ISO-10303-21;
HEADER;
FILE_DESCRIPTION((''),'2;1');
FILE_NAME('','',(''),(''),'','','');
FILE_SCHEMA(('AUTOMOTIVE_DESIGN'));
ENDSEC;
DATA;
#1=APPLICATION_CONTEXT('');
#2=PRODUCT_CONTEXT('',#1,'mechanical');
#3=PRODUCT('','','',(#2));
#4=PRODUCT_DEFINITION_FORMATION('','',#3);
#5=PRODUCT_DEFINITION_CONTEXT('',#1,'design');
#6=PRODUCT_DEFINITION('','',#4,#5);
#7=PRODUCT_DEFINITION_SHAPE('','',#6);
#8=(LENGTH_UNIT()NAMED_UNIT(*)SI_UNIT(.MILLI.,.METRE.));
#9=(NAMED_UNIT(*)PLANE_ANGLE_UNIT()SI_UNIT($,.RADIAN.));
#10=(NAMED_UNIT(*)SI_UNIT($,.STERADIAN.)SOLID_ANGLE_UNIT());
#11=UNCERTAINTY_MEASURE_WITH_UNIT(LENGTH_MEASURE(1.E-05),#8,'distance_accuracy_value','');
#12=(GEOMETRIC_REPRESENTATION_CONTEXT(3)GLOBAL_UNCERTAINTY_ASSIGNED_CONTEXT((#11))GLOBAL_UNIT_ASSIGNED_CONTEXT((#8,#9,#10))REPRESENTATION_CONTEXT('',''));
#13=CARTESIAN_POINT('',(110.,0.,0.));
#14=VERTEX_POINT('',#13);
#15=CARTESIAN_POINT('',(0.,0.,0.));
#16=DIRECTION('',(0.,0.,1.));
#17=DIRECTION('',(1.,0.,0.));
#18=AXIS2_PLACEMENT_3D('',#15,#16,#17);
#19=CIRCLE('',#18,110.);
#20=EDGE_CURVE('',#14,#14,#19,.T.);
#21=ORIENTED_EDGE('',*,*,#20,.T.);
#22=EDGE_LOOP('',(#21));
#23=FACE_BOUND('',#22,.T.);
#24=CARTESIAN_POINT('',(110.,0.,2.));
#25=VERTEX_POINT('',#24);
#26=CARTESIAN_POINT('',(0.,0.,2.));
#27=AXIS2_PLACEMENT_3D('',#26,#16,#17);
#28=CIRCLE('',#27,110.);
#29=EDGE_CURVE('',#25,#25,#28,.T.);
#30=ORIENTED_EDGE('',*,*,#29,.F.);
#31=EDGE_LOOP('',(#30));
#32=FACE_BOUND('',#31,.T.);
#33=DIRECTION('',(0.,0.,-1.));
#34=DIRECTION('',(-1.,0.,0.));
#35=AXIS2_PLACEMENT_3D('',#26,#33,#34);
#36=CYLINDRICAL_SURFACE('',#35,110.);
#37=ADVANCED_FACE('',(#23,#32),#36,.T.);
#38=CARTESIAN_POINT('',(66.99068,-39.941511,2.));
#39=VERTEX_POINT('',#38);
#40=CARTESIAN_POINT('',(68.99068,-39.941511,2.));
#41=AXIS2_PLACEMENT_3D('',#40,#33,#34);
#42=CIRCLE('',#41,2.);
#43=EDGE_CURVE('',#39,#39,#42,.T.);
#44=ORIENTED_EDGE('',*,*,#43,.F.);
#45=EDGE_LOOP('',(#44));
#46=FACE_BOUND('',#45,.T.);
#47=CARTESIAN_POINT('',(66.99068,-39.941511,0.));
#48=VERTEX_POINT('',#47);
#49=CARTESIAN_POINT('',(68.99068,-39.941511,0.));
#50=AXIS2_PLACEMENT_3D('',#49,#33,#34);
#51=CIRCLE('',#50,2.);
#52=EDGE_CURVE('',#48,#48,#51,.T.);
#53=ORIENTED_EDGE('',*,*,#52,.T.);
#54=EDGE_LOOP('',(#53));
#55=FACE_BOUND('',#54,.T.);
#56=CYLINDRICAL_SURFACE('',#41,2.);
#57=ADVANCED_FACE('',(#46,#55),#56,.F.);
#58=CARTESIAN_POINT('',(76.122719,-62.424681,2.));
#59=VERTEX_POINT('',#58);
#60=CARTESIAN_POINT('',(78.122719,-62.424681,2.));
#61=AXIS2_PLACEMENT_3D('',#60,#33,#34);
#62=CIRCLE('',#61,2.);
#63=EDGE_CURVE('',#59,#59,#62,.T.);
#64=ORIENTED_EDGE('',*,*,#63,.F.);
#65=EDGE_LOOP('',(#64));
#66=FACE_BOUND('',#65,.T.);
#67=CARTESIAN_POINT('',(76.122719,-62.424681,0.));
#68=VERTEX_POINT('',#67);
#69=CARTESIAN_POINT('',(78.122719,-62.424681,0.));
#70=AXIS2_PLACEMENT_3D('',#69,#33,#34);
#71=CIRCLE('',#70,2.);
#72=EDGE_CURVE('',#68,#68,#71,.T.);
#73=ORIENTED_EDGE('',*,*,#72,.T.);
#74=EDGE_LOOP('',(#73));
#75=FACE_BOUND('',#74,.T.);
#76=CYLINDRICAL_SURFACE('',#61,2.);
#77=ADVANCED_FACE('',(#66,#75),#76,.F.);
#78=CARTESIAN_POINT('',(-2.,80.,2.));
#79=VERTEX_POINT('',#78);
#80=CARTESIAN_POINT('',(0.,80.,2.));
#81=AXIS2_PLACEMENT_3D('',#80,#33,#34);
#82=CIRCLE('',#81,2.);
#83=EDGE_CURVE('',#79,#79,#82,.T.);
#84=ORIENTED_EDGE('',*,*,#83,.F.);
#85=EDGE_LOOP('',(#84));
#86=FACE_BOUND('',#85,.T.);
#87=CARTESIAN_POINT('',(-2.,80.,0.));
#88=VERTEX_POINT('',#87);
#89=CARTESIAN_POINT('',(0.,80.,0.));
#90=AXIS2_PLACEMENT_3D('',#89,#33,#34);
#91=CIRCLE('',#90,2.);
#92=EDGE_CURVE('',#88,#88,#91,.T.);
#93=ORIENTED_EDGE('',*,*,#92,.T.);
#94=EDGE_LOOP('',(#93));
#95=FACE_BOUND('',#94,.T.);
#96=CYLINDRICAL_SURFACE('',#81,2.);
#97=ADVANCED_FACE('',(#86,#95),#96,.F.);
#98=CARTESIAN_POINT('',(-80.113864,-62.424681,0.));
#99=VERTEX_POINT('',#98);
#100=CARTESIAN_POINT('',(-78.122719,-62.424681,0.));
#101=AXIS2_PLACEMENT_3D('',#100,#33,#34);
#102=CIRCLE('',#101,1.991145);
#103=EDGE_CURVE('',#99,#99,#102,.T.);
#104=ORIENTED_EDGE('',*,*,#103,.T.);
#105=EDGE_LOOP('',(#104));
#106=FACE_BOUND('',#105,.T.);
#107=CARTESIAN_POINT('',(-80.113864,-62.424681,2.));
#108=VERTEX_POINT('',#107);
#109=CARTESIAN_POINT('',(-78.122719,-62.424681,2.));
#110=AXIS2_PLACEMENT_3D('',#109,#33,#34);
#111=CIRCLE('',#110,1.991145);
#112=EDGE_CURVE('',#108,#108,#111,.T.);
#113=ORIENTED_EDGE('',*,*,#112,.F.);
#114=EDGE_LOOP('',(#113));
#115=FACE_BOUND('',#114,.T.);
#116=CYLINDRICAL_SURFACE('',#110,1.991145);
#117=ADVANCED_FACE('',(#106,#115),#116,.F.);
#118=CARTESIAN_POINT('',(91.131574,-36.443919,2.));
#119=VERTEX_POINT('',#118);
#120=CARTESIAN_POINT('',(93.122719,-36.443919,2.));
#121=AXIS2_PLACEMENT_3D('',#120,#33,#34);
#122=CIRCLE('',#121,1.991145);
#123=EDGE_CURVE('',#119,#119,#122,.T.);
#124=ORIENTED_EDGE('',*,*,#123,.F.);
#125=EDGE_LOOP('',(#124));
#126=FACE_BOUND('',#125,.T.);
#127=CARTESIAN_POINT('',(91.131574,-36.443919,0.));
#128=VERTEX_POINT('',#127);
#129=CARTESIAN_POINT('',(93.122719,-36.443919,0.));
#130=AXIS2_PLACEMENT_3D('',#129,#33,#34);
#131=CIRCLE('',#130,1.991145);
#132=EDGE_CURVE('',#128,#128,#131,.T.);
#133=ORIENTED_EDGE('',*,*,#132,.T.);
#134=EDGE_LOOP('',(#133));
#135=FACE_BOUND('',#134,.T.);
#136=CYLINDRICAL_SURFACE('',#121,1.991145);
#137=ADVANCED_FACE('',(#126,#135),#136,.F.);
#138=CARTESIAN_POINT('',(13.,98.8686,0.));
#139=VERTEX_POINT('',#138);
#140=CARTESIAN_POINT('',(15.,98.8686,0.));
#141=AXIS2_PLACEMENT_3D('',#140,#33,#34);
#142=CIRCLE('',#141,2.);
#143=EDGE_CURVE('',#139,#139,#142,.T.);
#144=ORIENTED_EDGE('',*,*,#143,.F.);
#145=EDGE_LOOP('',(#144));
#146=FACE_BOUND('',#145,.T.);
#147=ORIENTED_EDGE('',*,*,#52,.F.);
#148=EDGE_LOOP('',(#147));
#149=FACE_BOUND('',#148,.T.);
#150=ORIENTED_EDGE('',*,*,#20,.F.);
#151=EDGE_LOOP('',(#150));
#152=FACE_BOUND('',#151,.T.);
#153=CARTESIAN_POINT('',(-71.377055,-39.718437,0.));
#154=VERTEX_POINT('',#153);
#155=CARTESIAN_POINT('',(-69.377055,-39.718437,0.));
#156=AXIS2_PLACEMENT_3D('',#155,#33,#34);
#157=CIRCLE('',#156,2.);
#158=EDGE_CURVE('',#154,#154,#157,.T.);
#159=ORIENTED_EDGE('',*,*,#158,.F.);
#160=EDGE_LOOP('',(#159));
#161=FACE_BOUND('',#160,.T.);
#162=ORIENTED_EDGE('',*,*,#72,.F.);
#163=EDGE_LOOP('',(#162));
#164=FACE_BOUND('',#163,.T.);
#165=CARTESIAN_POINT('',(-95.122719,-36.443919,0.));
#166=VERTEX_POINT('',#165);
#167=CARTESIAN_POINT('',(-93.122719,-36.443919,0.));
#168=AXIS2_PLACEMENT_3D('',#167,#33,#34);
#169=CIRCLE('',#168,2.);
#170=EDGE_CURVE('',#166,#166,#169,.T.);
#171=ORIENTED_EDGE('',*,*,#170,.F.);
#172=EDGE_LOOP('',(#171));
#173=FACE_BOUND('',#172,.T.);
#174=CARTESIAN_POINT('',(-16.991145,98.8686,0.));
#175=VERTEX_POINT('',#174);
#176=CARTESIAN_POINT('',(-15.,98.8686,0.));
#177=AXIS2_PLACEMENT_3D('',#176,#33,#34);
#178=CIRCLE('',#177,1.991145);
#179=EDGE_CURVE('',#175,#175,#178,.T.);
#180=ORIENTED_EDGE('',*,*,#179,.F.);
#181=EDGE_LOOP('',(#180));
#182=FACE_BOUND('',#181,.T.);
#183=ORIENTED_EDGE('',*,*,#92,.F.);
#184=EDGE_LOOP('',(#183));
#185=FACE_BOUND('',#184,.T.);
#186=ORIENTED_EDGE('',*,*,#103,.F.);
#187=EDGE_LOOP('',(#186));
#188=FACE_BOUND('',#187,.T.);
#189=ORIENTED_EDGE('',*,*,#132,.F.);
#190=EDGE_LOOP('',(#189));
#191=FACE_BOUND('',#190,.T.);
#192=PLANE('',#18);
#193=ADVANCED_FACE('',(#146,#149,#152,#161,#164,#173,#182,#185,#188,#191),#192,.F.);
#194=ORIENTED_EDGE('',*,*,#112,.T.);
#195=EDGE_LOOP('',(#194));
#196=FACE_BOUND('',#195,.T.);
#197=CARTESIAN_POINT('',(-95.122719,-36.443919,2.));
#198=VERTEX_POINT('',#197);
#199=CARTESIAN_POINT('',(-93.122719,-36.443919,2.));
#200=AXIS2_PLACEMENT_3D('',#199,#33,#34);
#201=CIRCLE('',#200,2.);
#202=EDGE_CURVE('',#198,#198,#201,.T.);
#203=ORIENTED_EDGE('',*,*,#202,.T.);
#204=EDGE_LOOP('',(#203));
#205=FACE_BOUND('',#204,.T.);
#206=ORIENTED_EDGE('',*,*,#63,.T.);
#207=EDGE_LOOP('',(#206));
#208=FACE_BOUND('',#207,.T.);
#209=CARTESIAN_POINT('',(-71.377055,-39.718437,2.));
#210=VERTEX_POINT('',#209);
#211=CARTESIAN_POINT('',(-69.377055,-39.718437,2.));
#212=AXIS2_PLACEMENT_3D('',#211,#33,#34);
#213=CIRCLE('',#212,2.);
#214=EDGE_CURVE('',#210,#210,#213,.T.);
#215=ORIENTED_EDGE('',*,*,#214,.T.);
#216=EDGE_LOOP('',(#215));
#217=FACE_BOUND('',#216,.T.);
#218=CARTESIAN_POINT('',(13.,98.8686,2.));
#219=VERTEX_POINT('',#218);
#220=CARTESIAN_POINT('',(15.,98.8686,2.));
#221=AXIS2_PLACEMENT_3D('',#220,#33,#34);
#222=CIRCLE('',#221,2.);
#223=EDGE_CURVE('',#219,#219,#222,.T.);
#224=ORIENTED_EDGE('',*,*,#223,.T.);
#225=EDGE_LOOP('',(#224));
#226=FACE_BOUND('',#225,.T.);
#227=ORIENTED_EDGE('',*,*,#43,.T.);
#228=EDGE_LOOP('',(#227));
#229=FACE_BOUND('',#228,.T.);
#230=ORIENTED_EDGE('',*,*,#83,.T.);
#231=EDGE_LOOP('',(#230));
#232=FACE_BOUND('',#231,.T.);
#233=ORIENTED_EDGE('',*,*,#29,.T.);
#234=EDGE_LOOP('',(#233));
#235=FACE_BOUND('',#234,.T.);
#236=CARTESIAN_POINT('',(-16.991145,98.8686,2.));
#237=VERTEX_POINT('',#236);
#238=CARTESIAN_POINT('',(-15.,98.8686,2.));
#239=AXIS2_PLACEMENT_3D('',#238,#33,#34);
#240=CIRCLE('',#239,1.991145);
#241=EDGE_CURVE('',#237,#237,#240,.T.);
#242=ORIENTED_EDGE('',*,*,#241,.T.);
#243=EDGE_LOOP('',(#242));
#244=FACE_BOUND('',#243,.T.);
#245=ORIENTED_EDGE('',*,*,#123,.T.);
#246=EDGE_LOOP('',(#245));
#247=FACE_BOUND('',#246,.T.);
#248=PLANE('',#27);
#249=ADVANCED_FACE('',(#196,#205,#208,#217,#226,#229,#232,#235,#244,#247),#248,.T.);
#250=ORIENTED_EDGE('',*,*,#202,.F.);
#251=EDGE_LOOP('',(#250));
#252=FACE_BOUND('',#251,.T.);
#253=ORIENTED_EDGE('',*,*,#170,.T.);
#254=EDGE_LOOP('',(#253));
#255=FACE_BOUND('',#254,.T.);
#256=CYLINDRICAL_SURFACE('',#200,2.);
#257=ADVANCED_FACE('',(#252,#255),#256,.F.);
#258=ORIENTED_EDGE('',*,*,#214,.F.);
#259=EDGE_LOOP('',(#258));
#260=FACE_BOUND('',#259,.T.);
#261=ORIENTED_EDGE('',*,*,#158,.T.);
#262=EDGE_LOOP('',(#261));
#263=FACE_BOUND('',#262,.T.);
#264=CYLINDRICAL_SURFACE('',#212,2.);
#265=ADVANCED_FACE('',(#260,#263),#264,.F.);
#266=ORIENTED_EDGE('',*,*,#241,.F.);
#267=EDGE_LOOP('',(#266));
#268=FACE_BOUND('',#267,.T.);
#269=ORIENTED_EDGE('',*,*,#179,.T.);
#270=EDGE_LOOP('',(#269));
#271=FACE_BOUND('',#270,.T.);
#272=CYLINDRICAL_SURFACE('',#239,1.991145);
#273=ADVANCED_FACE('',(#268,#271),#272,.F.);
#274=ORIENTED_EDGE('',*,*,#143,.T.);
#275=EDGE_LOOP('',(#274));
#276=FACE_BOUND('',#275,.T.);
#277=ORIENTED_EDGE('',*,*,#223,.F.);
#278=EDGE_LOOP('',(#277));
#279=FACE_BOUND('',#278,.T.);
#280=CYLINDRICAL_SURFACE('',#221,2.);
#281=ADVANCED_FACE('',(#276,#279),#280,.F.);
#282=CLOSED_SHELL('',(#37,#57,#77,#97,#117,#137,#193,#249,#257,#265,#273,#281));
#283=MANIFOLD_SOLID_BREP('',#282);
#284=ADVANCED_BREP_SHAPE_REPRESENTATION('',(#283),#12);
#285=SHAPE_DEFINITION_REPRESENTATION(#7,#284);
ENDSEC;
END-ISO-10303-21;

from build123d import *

# Parameters (mm, degrees)
ESQUISSE2_R             = 110
BOSS_EXTRU_1_DEPTH      = 2
ESQUISSE7_R             = 2
ESQUISSE7_R_2           = 1.991144914
ENL_V_MAT_EXTRU_7_DEPTH = 2


with BuildPart() as part:
    # Esquisse2 → Boss.-Extru.1 (new body)
    with BuildSketch(Plane.XY):
        Circle(ESQUISSE2_R)
    extrude(amount=BOSS_EXTRU_1_DEPTH)

    # Esquisse7 → Enlèv. mat.-Extru.7 (cut)
    with BuildSketch(Plane(origin=(0, 0, 0), x_dir=(-1, 0, 0), z_dir=(0, 0, -1))):
        with Locations((-15, 98.868599666)):
            Circle(ESQUISSE7_R)
        with Locations((15, 98.868599666)):
            Circle(ESQUISSE7_R_2)
        with Locations((69.377054927, -39.718437198)):
            Circle(ESQUISSE7_R)
        with Locations((93.122718948, -36.443918776)):
            Circle(ESQUISSE7_R)
        with Locations((78.122718948, -62.42468089)):
            Circle(ESQUISSE7_R_2)
        with Locations((-68.990680451, -39.941510605)):
            Circle(ESQUISSE7_R)
        with Locations((-78.122718948, -62.42468089)):
            Circle(ESQUISSE7_R)
        with Locations((-93.122718948, -36.443918776)):
            Circle(ESQUISSE7_R_2)
        with Locations((0, 80)):
            Circle(ESQUISSE7_R)
    extrude(amount=-ENL_V_MAT_EXTRU_7_DEPTH, mode=Mode.SUBTRACT)


solid = part.part
